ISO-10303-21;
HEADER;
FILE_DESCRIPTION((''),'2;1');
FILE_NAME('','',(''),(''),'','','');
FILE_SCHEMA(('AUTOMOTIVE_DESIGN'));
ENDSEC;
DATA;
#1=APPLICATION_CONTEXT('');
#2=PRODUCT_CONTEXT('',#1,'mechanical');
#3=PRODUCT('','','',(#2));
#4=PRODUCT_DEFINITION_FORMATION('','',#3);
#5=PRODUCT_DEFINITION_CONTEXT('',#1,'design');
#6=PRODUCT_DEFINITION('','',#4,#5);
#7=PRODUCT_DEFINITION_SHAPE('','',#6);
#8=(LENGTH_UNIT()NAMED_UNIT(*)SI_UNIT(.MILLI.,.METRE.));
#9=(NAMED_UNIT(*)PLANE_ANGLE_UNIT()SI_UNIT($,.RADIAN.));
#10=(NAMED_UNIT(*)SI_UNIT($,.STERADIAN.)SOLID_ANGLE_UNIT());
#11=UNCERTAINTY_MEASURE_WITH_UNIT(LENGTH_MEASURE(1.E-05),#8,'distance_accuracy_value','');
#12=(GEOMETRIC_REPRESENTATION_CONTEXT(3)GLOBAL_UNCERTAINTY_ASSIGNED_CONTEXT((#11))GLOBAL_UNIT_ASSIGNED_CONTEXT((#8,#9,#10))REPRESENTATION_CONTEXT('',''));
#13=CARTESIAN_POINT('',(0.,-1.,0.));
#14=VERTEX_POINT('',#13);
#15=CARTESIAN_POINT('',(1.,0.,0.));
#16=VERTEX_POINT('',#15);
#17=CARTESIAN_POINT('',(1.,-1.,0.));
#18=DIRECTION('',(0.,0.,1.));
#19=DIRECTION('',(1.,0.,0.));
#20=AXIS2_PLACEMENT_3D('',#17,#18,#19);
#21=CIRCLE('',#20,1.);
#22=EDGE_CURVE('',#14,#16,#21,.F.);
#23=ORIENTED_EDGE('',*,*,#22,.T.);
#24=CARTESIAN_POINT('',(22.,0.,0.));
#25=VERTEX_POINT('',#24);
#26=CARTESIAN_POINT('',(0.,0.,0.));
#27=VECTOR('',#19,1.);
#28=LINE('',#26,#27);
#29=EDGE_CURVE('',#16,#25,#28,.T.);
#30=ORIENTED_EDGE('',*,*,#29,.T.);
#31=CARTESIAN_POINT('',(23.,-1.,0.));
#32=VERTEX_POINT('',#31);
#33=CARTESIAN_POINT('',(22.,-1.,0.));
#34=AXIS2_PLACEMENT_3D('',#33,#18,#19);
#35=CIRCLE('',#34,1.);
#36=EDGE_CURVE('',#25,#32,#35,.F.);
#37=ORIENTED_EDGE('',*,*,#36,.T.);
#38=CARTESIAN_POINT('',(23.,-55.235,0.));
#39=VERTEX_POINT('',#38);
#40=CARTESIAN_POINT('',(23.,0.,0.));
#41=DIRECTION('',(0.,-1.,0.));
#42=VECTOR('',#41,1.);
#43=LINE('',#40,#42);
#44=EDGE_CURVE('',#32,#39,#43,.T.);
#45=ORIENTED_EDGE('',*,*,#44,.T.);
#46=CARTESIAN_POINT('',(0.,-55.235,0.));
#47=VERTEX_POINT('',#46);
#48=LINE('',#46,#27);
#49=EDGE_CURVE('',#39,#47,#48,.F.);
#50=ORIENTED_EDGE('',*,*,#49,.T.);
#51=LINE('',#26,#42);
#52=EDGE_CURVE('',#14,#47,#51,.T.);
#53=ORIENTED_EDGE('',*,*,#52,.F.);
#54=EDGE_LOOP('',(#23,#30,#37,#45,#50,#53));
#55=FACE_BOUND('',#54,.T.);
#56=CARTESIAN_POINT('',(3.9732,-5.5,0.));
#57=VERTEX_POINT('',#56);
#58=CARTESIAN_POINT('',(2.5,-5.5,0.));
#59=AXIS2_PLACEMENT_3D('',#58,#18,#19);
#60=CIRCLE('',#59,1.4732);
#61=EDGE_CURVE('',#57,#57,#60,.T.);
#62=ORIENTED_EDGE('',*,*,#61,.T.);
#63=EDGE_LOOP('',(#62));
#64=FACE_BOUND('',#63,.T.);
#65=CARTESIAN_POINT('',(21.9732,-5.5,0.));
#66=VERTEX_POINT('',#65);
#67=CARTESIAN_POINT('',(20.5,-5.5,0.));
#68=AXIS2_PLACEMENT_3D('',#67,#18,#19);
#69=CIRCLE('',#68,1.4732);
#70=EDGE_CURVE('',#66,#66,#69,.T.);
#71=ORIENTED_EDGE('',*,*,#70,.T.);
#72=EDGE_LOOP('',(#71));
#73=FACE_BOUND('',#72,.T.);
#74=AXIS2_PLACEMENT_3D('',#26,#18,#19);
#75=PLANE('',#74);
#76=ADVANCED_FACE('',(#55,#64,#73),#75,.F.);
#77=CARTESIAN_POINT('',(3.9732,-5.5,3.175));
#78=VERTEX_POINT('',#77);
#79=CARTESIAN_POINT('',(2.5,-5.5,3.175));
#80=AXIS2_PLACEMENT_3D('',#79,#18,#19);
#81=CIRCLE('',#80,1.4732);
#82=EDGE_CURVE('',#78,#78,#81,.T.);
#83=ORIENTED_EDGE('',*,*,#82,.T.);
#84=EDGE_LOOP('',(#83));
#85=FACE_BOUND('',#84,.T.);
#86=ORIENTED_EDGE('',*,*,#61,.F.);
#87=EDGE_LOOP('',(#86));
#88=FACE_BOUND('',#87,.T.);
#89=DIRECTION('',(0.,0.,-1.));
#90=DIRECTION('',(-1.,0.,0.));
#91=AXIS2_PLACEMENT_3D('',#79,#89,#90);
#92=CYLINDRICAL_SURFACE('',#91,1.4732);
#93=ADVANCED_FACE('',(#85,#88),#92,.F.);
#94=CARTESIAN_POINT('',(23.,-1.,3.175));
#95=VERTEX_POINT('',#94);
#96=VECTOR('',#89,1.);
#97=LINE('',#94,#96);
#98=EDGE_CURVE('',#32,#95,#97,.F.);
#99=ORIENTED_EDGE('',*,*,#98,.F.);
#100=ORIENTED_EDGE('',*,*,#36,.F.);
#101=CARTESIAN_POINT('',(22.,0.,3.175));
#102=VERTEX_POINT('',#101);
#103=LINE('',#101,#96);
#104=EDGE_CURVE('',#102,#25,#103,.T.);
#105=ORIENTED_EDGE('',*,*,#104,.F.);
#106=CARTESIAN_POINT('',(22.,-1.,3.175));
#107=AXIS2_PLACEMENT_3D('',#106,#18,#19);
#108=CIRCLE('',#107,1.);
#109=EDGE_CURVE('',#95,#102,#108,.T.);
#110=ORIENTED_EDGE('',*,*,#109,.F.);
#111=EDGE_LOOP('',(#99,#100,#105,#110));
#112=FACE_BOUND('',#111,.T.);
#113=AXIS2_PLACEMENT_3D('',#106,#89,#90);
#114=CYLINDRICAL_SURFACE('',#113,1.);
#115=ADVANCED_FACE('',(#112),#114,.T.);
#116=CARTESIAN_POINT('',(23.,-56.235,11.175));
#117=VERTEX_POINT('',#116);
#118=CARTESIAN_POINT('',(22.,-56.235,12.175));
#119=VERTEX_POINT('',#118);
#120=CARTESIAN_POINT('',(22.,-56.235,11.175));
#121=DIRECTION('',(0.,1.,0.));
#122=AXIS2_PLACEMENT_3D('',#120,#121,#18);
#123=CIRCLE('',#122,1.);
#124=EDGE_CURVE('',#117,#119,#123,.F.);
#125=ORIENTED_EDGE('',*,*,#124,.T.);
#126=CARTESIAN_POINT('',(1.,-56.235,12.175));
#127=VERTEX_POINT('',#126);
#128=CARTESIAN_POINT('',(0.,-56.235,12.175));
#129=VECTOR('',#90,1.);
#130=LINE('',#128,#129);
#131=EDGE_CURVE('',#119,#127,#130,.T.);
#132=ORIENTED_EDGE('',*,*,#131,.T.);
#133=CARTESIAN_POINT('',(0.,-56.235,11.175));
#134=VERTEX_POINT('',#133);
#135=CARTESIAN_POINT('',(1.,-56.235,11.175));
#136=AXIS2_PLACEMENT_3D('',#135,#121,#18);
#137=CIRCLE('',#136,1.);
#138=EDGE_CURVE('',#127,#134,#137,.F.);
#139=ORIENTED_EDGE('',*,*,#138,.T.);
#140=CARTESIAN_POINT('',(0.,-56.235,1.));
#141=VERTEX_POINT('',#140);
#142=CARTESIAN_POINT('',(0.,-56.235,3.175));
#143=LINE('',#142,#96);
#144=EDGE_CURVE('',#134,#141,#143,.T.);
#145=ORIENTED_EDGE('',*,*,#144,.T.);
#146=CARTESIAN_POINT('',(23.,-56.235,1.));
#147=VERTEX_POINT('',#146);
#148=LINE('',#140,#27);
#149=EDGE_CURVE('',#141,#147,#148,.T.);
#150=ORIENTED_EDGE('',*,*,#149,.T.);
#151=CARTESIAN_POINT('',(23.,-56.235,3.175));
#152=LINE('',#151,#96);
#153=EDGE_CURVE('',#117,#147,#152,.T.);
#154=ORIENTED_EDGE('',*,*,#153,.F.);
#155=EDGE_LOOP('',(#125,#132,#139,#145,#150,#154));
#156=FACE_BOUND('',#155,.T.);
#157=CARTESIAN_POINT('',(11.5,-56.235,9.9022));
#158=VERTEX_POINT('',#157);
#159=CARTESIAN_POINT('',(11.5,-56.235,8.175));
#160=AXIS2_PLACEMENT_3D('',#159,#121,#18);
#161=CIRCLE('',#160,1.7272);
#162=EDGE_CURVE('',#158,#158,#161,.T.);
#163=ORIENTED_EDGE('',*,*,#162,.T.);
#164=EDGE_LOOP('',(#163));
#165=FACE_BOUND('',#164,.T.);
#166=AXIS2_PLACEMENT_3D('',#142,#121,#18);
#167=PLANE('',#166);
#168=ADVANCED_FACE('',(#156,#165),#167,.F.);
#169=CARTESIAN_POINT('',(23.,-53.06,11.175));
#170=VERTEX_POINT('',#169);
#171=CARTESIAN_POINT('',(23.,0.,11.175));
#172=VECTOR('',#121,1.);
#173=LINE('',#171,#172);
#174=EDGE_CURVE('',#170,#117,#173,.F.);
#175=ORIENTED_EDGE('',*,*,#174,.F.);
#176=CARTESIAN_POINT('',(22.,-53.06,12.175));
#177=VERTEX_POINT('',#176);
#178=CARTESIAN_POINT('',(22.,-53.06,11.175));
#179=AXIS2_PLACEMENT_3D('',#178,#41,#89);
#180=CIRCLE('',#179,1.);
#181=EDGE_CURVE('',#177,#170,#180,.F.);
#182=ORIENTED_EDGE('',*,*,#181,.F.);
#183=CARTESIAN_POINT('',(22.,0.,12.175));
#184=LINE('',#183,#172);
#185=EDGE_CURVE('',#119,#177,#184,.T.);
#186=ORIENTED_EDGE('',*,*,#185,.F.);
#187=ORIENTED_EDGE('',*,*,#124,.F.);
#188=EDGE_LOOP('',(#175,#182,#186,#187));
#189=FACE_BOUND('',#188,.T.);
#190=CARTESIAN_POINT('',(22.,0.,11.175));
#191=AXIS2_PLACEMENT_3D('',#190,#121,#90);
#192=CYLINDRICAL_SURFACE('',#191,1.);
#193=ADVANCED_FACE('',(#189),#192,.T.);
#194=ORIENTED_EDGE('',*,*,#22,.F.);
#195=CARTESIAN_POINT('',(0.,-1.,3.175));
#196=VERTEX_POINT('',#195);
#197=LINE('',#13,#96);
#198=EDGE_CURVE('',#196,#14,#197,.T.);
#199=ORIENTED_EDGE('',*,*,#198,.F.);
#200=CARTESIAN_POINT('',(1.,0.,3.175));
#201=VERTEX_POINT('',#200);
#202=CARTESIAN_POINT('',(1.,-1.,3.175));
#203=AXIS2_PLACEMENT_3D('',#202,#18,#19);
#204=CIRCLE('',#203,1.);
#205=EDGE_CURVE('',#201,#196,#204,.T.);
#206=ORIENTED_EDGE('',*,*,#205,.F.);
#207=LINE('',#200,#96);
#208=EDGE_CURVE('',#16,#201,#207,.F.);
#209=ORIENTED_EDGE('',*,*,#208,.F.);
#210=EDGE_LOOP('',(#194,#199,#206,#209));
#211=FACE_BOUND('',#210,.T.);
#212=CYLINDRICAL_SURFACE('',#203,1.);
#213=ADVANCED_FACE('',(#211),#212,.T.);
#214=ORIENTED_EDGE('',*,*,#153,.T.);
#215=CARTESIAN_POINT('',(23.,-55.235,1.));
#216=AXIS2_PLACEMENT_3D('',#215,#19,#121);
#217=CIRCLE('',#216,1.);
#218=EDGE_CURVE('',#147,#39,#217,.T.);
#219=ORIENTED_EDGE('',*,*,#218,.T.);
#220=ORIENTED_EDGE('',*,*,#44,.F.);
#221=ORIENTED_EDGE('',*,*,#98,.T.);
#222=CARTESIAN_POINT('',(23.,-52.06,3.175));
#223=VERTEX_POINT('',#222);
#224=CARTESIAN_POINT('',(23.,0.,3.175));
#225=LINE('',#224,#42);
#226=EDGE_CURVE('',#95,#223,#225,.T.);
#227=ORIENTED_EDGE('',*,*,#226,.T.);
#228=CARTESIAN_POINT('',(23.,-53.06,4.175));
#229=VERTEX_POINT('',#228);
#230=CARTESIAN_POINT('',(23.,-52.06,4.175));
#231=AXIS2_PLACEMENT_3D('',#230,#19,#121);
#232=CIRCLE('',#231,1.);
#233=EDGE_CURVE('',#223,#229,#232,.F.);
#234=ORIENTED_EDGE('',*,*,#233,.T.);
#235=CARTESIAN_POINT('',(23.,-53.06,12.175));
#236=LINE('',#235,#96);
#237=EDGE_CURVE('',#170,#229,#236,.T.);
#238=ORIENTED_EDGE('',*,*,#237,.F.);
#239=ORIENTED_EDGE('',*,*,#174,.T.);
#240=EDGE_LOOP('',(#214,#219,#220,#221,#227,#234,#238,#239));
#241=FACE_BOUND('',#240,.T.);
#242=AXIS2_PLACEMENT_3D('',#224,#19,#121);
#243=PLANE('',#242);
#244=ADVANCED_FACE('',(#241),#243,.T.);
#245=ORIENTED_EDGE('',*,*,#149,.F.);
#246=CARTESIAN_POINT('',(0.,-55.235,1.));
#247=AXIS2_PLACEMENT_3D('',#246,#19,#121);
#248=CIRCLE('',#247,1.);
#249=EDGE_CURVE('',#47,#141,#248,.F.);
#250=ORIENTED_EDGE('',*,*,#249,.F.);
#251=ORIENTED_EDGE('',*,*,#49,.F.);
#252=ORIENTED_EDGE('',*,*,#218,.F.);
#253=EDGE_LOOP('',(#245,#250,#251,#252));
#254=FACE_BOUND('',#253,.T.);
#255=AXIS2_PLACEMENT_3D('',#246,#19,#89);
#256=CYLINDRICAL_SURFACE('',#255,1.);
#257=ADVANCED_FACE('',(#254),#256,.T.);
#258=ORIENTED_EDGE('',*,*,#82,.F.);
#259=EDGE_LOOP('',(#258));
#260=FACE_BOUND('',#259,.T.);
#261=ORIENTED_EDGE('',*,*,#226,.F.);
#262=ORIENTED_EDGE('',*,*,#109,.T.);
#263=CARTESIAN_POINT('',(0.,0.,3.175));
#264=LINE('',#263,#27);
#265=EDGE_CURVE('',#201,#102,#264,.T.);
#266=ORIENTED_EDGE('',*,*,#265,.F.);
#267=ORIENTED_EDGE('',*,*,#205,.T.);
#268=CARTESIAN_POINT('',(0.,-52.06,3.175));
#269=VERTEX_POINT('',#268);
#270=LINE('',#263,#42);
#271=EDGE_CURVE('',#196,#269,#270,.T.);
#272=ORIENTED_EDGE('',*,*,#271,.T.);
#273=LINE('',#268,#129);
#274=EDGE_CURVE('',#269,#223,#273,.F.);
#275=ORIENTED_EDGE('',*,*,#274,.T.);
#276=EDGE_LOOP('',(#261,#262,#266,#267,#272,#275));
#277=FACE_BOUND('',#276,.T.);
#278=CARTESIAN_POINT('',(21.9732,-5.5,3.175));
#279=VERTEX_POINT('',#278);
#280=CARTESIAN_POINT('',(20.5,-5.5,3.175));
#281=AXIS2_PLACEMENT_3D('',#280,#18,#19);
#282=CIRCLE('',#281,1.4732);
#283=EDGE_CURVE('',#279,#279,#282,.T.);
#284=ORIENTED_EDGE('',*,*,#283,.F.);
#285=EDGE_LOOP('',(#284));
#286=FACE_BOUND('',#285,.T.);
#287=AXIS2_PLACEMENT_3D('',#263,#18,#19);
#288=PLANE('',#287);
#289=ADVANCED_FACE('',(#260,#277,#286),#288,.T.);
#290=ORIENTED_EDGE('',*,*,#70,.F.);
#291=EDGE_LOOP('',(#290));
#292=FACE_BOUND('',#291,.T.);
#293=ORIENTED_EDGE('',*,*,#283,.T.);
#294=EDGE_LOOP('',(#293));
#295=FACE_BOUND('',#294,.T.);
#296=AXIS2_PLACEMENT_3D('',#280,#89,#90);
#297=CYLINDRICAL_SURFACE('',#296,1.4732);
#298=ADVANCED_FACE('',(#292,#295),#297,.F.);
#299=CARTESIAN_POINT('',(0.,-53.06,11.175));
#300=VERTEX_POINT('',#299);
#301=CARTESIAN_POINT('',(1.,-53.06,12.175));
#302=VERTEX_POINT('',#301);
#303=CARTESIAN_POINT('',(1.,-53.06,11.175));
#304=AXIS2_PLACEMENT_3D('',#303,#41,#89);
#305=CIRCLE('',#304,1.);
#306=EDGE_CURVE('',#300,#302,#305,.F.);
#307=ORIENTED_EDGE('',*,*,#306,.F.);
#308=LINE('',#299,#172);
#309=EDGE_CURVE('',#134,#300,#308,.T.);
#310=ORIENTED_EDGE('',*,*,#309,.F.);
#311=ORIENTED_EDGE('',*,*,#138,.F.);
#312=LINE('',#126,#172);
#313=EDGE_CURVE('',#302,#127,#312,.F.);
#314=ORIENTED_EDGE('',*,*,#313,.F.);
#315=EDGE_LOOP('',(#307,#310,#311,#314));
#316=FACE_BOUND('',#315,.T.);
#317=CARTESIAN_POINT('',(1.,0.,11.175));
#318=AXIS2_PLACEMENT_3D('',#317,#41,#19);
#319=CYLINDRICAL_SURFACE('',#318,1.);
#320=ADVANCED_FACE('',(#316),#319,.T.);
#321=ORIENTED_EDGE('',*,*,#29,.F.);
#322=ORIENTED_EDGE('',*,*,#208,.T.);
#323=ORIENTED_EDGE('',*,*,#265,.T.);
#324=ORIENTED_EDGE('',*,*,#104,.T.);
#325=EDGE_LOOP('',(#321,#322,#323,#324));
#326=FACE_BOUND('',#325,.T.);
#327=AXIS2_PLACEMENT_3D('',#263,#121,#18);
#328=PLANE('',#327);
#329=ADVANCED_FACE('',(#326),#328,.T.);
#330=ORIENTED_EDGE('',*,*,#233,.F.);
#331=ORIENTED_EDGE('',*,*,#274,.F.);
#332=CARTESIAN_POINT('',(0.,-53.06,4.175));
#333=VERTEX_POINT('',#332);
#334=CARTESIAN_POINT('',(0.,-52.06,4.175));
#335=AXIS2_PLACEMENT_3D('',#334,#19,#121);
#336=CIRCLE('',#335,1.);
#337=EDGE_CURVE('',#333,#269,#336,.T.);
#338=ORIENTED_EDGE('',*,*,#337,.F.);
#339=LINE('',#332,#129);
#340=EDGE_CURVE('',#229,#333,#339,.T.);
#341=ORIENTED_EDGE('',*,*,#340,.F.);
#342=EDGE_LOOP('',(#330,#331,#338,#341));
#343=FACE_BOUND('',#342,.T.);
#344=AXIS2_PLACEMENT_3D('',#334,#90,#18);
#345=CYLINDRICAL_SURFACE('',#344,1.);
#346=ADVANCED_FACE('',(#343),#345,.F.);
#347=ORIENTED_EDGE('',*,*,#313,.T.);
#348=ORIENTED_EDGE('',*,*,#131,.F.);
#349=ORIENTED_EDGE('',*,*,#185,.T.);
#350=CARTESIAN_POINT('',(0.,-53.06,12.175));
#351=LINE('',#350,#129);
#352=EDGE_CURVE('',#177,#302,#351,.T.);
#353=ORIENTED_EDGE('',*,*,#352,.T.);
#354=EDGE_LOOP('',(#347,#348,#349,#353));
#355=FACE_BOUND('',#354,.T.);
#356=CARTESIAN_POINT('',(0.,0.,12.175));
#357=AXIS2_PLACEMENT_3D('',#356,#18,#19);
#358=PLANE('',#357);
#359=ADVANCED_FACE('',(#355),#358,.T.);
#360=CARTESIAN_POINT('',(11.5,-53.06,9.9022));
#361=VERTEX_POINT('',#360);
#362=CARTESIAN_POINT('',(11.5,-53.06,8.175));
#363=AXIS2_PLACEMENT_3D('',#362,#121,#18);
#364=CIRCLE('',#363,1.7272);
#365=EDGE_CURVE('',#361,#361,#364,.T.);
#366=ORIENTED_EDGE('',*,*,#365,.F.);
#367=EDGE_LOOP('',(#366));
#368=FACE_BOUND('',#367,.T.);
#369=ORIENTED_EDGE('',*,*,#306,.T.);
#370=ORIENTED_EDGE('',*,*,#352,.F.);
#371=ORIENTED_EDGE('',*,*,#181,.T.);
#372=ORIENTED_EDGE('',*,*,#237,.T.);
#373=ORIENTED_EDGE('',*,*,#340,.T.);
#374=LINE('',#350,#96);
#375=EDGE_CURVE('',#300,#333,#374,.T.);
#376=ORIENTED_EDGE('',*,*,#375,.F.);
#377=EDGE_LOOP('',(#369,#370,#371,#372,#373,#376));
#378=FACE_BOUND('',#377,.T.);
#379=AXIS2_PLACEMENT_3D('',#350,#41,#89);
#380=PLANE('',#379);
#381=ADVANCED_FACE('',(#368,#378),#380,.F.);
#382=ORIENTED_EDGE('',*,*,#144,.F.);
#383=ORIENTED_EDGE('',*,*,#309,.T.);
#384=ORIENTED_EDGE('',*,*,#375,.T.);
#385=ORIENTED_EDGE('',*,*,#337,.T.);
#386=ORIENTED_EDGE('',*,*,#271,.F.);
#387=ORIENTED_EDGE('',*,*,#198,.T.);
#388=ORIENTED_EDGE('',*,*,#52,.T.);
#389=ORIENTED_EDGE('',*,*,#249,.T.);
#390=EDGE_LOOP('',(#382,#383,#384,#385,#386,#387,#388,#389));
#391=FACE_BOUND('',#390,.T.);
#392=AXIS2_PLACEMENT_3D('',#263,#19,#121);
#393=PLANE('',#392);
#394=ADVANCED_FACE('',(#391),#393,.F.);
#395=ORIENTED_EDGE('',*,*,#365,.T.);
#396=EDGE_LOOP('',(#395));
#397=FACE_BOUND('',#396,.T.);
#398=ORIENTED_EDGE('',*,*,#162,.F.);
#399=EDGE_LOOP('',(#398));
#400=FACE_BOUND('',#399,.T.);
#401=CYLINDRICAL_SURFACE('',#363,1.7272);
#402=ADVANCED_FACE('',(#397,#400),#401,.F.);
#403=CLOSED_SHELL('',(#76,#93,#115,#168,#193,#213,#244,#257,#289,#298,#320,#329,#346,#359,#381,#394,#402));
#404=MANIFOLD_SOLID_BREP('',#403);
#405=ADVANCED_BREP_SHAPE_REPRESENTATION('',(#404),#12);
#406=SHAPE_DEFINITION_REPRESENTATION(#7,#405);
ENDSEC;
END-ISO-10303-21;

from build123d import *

# Parameters (mm, degrees)
SKETCH1_W             = 23
SKETCH1_H             = 53.06
SKETCH1_R             = 1.4732
SKETCH1_H_2           = 3.175
BOSS_EXTRUDE1_DEPTH   = 3.175
BOSS_EXTRUDE2_START   = 3.175
SKETCH1_3_W           = 23
SKETCH1_3_H           = 3.175
BOSS_EXTRUDE2_DEPTH   = 9
F_8_32_TAPPED_HOLE1_D = 3.4544
FILLET1_R             = 1


with BuildPart() as part:
    # Sketch1 → Boss-Extrude1 (new body)
    # profile 1 of 2: a face of its own
    with BuildSketch(Plane.XY):
        with Locations((11.5, -26.53)):
            Rectangle(SKETCH1_W, SKETCH1_H)
        with Locations((2.5, -5.5)):
            Circle(SKETCH1_R, mode=Mode.SUBTRACT)
        with Locations((20.5, -5.5)):
            Circle(SKETCH1_R, mode=Mode.SUBTRACT)
    # profile 2 of 2: a face of its own
    with BuildSketch(Plane.XY):
        with Locations((11.5, -54.6475)):
            Rectangle(SKETCH1_W, SKETCH1_H_2)
    extrude(amount=BOSS_EXTRUDE1_DEPTH)

    # Sketch1<3> → Boss-Extrude2 (add)
    with BuildSketch(Plane.XY.offset(BOSS_EXTRUDE2_START)):
        with Locations((11.5, -54.6475)):
            Rectangle(SKETCH1_3_W, SKETCH1_3_H)
    extrude(amount=BOSS_EXTRUDE2_DEPTH)

    # #8-32 Tapped Hole1 (through all)
    with Locations(Plane(origin=(11.5, -53.06, 8.175), x_dir=(0, 0, 1), z_dir=(0, 1, 0))):
        with Locations((0, 0)):
            Hole(F_8_32_TAPPED_HOLE1_D / 2)

    # Fillet1
    fillet1_edges = [part.edges().sort_by_distance(p)[0] for p in [
        (0, 0, 1.5875),
        (23, 0, 1.5875),
        (0, -54.6475, 12.175),
        (11.5, -53.06, 3.175),
        (23, -54.6475, 12.175),
        (11.5, -56.235, 0),
    ]]
    fillet(fillet1_edges, radius=FILLET1_R)


solid = part.part
